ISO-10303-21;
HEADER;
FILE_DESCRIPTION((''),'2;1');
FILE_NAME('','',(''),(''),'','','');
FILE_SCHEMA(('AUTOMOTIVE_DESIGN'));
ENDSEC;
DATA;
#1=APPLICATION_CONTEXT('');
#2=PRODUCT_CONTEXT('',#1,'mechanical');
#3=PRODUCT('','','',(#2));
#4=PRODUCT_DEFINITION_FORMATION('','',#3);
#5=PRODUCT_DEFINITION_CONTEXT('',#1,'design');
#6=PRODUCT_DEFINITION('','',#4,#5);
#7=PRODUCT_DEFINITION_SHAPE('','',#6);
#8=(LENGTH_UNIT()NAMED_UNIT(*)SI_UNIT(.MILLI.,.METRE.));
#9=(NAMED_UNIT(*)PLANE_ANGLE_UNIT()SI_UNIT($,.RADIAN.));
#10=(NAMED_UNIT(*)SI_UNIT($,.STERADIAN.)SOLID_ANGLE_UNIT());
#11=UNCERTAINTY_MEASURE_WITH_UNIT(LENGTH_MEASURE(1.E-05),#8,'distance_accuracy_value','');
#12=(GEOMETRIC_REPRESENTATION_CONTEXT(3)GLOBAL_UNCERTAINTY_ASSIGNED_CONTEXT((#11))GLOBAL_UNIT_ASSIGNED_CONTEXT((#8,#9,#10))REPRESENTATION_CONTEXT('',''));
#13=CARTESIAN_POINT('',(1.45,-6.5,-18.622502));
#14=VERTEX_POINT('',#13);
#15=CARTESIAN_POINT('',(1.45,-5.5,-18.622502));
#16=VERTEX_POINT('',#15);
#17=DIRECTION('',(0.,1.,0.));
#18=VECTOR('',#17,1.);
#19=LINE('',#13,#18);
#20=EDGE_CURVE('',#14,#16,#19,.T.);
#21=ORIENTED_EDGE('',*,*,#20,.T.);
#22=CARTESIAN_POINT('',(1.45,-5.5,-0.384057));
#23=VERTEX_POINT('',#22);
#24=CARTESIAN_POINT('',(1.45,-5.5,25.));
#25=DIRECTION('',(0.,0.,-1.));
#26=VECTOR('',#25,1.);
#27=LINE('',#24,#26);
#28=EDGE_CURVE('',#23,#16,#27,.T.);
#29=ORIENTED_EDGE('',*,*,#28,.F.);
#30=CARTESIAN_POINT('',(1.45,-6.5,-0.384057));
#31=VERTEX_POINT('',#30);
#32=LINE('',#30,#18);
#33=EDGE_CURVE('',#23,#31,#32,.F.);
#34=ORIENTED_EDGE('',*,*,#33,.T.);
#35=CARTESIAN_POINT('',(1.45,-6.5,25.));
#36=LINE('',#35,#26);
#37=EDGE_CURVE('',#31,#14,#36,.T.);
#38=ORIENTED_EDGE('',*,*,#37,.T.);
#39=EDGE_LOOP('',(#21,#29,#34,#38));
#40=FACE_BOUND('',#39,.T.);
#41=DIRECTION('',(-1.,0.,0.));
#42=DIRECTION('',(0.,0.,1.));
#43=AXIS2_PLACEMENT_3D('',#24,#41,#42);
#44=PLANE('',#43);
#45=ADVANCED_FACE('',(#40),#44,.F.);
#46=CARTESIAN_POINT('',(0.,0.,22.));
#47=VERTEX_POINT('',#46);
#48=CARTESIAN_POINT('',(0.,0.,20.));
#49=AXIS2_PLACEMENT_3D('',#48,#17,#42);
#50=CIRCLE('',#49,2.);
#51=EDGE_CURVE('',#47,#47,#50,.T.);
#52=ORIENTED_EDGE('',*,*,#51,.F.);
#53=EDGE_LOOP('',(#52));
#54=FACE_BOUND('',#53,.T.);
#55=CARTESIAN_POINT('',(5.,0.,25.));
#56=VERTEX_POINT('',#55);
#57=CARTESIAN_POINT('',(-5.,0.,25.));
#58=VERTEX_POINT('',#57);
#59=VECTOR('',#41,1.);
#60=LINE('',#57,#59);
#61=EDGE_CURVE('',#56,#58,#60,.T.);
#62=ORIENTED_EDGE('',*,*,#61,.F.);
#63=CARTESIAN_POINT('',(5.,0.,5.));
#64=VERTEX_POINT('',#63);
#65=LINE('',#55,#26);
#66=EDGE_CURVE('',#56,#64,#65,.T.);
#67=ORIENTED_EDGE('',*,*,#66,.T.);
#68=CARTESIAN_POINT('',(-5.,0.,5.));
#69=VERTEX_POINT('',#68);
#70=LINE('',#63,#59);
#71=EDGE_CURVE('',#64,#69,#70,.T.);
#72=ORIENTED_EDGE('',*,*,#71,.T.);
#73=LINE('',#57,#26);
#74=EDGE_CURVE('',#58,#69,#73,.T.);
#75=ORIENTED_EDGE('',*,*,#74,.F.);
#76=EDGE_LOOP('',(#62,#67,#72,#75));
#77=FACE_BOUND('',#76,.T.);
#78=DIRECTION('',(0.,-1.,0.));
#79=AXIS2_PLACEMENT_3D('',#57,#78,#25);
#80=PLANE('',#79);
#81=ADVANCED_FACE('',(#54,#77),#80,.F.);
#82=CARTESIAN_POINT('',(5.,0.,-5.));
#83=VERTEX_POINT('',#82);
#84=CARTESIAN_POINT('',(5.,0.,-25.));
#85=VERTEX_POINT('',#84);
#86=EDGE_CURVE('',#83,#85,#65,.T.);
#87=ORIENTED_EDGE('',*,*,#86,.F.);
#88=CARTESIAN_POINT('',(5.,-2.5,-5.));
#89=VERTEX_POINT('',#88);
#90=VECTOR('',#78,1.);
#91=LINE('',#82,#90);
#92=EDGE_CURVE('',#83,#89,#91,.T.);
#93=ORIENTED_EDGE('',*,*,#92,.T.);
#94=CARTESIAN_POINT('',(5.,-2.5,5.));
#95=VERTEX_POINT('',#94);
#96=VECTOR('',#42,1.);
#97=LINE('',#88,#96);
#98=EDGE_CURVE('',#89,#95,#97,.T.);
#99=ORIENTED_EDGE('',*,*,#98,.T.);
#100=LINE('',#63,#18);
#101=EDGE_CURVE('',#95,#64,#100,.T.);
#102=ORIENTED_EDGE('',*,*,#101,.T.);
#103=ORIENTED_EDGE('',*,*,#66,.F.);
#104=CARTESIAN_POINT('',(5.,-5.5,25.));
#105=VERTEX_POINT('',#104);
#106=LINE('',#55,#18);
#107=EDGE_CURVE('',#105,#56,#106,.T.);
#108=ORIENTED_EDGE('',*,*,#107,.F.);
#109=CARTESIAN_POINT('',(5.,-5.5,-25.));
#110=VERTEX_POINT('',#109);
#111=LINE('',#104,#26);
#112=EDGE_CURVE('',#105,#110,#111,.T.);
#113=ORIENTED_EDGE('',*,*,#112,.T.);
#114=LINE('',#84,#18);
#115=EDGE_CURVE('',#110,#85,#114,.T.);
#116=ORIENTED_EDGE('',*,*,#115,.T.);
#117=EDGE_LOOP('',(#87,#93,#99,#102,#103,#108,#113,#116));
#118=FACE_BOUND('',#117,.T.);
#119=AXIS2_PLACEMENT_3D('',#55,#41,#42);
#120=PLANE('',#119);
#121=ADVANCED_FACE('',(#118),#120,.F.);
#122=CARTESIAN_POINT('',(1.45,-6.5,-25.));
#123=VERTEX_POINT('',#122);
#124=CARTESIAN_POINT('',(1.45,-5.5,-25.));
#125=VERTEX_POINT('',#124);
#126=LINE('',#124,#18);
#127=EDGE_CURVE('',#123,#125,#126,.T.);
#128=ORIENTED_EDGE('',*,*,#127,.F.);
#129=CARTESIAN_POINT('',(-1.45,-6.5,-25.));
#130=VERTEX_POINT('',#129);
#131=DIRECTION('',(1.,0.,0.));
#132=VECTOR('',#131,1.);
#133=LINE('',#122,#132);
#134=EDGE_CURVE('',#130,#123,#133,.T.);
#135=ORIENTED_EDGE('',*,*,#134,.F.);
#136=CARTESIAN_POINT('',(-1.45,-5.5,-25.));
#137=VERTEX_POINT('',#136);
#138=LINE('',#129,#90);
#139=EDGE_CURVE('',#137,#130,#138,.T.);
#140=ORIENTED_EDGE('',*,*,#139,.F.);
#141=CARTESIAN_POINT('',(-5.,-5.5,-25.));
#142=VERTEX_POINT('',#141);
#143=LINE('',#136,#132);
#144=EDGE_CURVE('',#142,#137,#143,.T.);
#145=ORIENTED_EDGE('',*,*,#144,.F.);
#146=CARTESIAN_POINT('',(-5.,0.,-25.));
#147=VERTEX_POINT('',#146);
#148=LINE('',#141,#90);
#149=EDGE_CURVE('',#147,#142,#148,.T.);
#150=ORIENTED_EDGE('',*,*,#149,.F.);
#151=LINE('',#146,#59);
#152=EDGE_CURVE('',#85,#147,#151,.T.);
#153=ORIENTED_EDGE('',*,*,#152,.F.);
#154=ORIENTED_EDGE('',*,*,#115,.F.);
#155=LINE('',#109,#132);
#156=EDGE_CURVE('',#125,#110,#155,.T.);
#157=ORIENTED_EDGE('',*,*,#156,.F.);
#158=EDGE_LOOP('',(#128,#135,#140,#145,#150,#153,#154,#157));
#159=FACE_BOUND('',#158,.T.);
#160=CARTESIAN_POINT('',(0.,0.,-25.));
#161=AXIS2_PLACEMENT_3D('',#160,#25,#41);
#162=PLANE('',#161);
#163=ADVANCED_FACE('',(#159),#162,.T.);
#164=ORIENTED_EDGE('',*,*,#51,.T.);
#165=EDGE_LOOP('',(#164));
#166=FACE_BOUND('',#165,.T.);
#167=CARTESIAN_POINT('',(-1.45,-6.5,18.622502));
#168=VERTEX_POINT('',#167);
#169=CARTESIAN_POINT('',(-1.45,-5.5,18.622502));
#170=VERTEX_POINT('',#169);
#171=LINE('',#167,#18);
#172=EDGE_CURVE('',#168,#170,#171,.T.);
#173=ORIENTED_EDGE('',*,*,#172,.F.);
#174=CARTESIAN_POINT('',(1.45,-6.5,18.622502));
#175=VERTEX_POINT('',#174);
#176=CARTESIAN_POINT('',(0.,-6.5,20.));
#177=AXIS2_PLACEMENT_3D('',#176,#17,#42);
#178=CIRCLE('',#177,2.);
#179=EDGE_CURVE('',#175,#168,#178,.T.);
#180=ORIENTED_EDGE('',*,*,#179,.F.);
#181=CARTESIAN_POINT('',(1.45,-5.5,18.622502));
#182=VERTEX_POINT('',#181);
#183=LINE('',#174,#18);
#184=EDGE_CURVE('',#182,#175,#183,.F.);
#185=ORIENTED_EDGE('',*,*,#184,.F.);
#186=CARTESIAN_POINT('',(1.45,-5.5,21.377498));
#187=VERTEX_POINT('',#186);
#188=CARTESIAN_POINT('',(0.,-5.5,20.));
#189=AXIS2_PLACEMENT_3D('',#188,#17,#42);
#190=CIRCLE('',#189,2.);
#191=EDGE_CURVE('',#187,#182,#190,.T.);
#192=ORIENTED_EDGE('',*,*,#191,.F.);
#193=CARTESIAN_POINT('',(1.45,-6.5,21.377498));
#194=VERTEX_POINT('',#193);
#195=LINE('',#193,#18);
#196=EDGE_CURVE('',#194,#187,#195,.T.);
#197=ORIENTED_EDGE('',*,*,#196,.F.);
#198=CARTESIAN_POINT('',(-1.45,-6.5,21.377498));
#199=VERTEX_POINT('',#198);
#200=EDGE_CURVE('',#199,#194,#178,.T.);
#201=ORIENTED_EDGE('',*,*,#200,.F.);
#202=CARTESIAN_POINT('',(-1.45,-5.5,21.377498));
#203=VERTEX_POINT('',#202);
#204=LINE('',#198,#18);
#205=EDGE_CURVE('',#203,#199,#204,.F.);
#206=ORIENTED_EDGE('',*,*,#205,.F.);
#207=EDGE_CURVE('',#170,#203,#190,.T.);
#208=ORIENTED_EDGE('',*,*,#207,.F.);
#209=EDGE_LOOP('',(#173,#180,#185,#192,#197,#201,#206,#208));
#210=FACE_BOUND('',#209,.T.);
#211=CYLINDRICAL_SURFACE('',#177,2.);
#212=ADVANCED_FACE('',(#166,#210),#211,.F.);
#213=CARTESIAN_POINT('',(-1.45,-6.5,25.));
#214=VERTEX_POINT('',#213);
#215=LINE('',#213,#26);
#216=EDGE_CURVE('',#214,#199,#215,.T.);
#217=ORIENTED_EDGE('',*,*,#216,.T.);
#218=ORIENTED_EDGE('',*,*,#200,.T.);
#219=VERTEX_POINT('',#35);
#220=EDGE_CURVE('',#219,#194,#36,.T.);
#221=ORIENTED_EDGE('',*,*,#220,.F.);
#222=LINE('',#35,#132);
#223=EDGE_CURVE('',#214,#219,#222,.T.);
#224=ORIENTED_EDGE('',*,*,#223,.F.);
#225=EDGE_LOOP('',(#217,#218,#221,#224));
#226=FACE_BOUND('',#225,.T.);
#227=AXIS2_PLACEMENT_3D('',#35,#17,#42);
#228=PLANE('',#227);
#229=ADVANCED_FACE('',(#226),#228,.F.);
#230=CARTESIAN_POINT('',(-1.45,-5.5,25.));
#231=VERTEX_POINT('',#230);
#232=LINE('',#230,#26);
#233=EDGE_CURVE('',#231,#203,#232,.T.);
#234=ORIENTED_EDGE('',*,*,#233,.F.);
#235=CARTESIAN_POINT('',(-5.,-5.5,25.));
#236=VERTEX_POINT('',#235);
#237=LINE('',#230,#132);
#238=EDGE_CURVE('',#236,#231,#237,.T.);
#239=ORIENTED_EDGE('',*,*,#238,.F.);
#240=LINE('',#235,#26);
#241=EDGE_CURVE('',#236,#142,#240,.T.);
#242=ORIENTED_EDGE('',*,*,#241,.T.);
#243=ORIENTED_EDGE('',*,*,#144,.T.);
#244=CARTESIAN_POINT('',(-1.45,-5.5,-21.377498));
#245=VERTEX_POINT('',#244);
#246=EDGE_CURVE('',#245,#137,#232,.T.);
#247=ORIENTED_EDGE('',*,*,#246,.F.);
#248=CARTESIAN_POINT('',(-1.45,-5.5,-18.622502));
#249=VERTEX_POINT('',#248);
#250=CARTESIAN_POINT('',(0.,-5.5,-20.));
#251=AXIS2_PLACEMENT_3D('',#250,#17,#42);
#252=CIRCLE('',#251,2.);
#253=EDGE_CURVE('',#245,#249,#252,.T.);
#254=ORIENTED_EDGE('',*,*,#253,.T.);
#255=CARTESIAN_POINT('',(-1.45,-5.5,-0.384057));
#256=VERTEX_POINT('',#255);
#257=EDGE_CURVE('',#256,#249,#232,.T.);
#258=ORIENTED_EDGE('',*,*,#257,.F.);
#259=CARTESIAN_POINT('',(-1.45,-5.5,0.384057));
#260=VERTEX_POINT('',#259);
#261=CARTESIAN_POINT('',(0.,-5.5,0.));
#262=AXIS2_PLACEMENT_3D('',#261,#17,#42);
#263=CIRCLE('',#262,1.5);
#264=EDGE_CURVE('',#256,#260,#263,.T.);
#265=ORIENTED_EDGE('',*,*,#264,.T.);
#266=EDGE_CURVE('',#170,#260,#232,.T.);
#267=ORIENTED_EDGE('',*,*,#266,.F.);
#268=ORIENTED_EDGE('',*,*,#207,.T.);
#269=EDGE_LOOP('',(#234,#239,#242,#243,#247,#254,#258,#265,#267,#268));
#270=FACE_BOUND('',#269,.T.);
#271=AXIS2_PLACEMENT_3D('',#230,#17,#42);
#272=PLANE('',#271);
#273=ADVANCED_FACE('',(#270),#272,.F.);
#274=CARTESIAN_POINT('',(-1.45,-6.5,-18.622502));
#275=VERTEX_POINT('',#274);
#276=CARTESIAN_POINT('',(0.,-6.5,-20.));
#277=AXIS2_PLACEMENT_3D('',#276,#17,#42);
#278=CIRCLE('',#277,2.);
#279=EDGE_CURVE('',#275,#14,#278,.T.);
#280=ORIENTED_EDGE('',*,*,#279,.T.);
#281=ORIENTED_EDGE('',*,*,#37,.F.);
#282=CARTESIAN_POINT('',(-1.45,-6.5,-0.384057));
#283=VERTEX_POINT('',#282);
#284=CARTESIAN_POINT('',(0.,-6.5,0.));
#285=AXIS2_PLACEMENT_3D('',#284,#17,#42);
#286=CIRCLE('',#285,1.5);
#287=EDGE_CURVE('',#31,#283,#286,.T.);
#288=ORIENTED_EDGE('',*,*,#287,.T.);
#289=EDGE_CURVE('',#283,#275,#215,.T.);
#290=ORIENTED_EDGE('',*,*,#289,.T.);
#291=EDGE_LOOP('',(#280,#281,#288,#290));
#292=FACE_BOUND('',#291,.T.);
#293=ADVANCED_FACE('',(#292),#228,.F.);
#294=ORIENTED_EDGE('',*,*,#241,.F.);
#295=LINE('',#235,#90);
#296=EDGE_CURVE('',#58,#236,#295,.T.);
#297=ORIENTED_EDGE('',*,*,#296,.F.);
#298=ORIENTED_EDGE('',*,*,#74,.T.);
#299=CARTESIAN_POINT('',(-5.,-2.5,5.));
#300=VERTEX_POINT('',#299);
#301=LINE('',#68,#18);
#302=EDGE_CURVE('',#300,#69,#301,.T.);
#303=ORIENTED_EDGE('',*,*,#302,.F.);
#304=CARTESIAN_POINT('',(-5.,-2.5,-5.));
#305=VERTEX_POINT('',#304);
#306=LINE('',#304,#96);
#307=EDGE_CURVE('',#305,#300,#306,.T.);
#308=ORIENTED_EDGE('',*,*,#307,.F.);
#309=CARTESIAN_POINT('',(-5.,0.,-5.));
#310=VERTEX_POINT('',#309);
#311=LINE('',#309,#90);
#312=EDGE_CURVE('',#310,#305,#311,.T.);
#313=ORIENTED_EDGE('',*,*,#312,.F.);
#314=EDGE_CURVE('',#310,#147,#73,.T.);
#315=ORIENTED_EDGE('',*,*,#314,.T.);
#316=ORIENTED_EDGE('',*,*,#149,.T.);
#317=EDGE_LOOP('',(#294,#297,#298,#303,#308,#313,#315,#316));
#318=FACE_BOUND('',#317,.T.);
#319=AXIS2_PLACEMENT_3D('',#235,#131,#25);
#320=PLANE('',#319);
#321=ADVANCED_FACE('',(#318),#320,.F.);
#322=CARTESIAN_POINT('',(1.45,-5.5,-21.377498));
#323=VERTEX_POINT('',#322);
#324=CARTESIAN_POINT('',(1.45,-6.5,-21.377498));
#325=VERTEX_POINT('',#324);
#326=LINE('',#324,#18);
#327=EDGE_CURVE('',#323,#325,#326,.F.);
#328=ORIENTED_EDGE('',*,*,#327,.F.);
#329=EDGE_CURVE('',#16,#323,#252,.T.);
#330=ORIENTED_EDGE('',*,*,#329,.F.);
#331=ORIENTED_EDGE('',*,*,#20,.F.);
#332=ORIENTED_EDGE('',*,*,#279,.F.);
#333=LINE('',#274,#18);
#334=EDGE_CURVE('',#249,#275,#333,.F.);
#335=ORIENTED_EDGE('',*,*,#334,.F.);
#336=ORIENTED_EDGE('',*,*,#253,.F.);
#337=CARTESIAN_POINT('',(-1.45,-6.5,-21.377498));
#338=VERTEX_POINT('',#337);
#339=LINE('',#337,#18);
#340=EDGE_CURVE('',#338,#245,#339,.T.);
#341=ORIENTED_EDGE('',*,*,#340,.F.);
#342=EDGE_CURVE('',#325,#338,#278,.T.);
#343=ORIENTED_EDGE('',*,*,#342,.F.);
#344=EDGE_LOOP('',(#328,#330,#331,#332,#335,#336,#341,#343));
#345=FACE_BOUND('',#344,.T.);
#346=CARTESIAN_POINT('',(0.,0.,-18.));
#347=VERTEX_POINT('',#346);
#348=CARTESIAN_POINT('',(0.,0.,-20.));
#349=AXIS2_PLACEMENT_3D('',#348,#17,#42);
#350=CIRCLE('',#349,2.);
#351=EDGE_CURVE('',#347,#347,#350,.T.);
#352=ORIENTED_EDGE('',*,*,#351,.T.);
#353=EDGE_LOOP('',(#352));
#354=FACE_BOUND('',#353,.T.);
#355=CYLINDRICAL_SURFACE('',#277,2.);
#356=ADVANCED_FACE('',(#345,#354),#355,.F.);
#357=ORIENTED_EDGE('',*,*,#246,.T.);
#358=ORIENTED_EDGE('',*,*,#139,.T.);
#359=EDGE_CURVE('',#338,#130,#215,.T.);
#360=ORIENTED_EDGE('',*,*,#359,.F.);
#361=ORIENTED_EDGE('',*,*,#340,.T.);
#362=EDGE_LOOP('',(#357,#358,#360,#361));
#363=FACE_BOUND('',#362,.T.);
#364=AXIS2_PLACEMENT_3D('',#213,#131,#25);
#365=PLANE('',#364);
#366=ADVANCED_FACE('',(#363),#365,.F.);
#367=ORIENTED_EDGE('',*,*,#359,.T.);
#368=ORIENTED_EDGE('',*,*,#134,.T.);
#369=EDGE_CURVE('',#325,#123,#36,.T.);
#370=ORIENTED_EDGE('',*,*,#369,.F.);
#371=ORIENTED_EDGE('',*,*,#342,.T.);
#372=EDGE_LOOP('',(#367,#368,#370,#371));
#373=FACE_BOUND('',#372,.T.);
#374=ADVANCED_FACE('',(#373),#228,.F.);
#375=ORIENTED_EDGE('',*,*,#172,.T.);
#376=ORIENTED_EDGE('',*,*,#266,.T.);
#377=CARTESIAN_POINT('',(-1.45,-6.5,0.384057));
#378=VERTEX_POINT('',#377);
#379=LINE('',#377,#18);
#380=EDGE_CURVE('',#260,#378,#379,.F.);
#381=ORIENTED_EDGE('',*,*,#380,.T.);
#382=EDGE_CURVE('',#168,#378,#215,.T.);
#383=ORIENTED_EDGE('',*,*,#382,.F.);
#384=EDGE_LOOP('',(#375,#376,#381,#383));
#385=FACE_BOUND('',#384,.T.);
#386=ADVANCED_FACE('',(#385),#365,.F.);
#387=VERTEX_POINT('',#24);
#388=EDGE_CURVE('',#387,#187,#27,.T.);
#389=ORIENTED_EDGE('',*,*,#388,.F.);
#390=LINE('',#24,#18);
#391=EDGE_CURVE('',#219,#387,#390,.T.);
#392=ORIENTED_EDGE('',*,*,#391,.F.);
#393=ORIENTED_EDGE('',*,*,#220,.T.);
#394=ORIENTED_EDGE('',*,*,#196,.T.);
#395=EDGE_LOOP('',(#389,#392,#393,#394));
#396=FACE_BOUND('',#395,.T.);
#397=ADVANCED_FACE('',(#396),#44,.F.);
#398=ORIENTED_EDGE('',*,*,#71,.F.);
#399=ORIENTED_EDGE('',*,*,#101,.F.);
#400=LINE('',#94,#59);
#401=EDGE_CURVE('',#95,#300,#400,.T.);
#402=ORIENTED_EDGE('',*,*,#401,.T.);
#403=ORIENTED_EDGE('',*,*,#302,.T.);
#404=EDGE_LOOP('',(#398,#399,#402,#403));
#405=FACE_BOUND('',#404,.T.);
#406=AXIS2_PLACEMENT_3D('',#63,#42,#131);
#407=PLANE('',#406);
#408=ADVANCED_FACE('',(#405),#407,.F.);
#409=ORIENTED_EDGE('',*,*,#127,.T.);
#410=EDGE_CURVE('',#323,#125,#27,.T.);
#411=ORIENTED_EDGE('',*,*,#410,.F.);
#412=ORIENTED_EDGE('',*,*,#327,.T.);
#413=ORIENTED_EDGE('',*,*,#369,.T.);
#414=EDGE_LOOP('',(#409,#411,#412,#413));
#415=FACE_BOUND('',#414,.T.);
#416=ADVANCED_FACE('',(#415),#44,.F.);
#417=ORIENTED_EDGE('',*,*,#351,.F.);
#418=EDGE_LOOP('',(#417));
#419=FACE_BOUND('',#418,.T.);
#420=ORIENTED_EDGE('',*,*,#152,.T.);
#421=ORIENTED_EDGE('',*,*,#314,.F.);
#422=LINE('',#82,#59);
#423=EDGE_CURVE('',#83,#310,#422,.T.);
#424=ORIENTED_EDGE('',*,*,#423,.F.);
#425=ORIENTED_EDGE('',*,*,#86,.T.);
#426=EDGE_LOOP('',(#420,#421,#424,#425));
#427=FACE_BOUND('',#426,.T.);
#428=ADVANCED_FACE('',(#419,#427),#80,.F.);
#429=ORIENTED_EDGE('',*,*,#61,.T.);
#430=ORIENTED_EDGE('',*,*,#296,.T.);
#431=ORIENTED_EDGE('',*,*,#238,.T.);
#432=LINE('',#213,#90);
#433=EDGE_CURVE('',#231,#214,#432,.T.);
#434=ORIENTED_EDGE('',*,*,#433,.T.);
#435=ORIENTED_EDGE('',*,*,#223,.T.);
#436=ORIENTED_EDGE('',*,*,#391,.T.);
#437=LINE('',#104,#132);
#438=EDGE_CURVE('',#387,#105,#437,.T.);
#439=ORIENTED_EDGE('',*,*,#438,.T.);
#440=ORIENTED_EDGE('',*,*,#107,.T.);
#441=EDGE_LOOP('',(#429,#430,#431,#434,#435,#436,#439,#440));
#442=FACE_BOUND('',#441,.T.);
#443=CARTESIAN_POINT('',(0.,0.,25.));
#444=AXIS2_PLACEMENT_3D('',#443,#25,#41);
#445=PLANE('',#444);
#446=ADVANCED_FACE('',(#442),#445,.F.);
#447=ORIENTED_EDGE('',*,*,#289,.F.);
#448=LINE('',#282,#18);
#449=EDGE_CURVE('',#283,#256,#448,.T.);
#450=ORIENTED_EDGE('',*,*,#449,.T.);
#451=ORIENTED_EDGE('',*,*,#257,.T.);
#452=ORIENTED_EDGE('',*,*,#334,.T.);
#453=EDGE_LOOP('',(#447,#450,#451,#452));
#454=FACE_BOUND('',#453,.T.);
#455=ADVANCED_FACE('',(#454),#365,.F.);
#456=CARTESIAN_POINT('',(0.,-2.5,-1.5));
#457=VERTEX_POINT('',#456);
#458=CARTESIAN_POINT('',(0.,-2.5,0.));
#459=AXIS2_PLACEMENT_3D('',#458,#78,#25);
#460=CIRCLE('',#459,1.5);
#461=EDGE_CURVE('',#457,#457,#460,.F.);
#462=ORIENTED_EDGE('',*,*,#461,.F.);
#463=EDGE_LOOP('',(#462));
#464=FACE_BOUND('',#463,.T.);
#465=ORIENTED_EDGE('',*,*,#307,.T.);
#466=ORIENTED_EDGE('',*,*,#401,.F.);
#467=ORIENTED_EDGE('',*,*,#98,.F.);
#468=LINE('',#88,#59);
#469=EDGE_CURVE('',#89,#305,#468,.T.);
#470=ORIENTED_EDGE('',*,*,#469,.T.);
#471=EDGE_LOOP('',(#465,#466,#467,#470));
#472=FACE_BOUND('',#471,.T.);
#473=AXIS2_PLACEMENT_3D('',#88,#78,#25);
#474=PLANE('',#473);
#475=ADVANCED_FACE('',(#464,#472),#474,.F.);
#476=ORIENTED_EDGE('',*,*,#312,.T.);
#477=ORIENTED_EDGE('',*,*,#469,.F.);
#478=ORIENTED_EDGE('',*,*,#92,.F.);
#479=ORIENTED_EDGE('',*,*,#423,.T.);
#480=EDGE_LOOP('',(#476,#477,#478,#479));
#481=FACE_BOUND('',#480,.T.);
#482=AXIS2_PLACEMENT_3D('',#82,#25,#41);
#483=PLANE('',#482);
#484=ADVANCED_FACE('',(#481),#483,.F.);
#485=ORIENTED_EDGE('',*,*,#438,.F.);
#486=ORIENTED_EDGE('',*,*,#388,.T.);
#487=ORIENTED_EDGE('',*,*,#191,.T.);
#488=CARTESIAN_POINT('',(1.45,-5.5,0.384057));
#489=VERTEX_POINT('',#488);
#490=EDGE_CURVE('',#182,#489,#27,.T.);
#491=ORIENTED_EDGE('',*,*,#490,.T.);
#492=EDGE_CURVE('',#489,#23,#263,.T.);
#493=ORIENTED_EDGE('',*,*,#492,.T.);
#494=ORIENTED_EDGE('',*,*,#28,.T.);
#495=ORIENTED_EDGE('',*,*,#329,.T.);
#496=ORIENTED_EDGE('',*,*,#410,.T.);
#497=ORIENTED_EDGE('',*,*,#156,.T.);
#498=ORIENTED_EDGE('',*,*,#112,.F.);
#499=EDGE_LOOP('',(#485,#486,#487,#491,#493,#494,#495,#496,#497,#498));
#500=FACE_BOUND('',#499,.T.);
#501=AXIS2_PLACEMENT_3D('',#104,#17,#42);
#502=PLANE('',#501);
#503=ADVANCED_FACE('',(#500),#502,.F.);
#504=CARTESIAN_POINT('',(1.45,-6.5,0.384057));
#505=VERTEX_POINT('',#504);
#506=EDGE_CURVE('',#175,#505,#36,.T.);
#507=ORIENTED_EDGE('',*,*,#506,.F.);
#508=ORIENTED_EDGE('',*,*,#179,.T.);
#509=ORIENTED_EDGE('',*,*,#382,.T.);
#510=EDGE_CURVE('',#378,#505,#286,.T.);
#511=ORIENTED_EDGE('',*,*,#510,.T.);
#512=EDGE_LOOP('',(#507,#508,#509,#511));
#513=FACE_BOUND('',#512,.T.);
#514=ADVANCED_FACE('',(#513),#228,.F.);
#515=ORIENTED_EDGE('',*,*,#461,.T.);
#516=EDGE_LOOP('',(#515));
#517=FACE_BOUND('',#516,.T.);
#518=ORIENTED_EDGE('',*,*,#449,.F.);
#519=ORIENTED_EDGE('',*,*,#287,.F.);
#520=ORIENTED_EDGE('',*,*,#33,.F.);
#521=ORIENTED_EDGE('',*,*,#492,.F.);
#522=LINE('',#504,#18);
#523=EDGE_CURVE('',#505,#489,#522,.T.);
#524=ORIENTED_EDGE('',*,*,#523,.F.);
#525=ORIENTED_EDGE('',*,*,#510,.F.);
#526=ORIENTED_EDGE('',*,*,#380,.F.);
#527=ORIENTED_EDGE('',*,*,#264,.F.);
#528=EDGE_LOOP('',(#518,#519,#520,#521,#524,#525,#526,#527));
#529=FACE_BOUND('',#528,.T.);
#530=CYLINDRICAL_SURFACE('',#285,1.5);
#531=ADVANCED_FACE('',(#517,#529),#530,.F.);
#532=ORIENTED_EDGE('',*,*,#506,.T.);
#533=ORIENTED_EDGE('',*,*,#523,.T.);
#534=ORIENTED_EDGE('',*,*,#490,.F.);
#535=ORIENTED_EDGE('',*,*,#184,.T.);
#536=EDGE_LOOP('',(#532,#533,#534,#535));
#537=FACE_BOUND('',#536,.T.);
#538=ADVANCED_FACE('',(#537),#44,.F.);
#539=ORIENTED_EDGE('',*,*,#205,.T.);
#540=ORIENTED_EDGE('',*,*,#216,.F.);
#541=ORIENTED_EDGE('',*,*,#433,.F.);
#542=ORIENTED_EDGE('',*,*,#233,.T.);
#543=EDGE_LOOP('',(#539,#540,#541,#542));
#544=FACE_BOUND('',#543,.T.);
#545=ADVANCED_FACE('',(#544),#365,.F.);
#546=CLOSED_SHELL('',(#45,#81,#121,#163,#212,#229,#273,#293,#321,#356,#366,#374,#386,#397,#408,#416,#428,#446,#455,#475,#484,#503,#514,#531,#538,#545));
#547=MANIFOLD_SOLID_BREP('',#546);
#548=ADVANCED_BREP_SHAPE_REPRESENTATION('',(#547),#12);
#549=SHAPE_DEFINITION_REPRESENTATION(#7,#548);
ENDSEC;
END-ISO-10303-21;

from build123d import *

# Parameters (mm, degrees)
MAIN_DEPTH         = 25
SKETCH2_R          = 2
SKETCH2_R_2        = 1.5
HOLES_DEPTH        = 7.5
SKETCH3_W          = 10
SKETCH3_H          = 2.5
CUT_EXTRUDE2_DEPTH = 11


with BuildPart() as part:
    # Sketch1 → Main (new body, symmetric)
    with BuildSketch(Plane.XY):
        Polygon((-5, 0), (5, 0), (5, -5.5), (1.45, -5.5), (1.45, -6.5), (-1.45, -6.5), (-1.45, -5.5), (-5, -5.5), align=None)
    extrude(amount=MAIN_DEPTH, both=True)

    # Sketch2 → Holes (cut, through all)
    with BuildSketch(Plane(origin=(0, 0, 0), x_dir=(1, 0, 0), z_dir=(0, 1, 0))):
        with Locations((0, 20)):
            Circle(SKETCH2_R)
        with Locations((0, -20)):
            Circle(SKETCH2_R)
        Circle(SKETCH2_R_2)
    extrude(amount=-HOLES_DEPTH, mode=Mode.SUBTRACT)

    # Sketch3 → Cut-Extrude2 (cut, through all)
    with BuildSketch(Plane.ZY.offset(5)):
        with Locations((0, -1.25)):
            Rectangle(SKETCH3_W, SKETCH3_H)
    extrude(amount=-CUT_EXTRUDE2_DEPTH, mode=Mode.SUBTRACT)


solid = part.part
